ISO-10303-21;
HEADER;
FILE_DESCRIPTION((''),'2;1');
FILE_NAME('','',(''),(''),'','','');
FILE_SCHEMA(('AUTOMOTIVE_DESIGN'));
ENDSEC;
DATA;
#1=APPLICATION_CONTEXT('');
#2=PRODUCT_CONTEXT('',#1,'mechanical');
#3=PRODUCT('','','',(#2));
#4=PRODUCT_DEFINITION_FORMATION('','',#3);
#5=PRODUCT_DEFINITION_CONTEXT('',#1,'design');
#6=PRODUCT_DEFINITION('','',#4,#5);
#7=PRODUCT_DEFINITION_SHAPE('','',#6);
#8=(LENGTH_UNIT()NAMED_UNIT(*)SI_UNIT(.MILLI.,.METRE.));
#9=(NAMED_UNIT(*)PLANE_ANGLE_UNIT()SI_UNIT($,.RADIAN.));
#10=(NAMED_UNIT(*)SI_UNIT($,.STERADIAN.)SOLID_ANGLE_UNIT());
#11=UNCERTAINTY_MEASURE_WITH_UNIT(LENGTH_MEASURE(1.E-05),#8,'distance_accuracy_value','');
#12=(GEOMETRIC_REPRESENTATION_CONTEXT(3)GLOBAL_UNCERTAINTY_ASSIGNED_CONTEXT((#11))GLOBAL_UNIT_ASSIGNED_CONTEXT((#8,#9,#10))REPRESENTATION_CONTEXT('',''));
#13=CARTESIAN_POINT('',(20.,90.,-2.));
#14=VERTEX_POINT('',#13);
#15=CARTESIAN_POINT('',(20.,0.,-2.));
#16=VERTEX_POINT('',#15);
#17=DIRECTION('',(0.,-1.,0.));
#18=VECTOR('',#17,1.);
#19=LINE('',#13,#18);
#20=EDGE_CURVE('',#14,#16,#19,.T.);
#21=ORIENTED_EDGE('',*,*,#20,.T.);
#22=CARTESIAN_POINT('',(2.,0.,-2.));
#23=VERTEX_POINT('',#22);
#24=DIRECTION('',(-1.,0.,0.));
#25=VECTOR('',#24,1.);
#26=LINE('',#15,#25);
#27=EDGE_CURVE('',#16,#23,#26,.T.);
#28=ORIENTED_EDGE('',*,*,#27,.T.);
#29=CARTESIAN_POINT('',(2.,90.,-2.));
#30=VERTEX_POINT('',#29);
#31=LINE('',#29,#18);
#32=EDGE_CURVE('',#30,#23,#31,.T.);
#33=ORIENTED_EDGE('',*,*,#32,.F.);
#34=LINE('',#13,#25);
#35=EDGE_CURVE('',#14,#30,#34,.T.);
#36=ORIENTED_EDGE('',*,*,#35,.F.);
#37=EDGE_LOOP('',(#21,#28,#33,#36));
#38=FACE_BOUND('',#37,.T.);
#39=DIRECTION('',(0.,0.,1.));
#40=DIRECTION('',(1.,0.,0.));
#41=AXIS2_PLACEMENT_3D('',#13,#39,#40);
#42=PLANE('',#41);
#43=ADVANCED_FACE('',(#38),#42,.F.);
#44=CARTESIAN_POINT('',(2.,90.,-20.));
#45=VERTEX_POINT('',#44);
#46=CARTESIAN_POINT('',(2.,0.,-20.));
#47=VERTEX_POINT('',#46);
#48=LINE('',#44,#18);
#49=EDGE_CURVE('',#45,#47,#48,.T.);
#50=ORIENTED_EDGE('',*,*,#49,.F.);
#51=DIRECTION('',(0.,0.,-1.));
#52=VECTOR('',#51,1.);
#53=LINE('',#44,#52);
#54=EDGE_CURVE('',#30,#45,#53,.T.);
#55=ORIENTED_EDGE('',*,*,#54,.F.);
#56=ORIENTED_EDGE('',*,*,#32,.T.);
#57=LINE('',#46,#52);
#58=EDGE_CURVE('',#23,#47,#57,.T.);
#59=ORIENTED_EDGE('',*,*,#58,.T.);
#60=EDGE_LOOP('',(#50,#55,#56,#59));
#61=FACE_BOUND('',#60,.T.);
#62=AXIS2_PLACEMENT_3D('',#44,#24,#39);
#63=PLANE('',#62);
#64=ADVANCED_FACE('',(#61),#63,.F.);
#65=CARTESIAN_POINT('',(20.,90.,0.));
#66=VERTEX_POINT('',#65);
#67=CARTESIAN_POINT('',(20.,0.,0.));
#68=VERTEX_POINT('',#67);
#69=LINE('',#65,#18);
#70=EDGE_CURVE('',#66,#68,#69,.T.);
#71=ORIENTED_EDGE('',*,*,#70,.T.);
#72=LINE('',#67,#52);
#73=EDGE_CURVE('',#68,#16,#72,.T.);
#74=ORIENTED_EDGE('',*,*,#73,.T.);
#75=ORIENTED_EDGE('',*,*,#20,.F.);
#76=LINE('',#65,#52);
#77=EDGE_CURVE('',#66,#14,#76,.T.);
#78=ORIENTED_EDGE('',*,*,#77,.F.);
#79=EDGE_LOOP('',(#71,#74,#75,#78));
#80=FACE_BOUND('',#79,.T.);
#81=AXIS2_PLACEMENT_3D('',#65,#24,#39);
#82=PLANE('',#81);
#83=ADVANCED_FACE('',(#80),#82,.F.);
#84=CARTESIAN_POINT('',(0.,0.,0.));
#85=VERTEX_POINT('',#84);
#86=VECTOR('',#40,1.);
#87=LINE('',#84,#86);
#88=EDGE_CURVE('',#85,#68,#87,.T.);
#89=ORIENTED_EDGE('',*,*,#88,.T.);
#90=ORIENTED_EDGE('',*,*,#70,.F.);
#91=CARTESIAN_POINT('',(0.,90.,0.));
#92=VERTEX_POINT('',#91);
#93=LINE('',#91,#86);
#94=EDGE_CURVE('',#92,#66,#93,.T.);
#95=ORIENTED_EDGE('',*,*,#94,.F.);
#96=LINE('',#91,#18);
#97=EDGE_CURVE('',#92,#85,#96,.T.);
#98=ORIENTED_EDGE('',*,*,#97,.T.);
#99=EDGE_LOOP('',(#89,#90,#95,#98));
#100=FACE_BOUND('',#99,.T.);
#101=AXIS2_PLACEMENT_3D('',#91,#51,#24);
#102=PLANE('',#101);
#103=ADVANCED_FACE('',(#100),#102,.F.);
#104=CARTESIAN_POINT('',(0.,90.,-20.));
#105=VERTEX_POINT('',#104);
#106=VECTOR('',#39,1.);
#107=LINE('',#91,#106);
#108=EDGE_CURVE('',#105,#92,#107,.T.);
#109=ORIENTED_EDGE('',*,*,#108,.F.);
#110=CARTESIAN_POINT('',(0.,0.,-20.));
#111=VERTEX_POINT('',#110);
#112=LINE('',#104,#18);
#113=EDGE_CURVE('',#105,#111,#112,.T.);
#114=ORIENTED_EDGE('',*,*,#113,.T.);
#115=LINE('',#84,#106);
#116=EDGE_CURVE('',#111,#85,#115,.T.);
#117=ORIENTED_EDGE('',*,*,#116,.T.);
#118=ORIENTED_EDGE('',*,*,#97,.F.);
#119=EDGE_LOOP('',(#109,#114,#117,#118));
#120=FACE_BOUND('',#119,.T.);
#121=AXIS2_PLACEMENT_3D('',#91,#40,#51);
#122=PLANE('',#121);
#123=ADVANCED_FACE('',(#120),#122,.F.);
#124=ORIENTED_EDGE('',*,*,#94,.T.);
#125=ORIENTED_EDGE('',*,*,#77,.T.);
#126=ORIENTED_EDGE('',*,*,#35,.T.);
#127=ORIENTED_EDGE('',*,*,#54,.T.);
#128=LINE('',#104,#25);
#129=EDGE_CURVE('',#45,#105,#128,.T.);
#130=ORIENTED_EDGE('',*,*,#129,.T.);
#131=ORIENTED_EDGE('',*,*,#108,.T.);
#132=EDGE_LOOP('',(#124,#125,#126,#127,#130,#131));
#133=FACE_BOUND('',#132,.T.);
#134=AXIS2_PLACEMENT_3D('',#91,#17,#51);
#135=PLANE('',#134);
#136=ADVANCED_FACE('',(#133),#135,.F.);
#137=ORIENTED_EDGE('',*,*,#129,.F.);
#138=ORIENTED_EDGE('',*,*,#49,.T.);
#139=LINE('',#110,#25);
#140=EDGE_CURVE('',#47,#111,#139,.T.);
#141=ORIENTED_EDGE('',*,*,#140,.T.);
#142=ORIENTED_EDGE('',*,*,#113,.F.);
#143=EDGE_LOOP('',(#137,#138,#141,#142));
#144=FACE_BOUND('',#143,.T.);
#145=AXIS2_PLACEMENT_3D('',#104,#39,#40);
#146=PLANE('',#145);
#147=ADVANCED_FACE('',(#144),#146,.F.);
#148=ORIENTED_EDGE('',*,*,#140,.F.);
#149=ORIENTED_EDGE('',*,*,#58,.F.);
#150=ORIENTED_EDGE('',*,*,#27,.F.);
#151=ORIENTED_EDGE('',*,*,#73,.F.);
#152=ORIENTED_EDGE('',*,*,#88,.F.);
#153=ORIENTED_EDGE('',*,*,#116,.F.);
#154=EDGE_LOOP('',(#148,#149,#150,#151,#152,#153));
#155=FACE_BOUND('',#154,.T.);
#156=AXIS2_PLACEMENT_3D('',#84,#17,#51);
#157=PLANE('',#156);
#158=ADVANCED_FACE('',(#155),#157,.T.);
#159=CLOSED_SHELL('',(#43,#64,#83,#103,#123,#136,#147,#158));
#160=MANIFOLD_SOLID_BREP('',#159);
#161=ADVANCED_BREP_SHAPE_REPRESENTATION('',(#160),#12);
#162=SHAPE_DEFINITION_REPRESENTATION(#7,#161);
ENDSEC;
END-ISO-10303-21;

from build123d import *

# Parameters (mm, degrees)
BOSS_EXTRUDE1_DEPTH = 90


with BuildPart() as part:
    # Sketch1 → Boss-Extrude1 (new body)
    with BuildSketch(Plane(origin=(0, 0, 0), x_dir=(1, 0, 0), z_dir=(0, 1, 0))):
        Polygon((0, 0), (20, 0), (20, 2), (2, 2), (2, 20), (0, 20), align=None)
    extrude(amount=BOSS_EXTRUDE1_DEPTH)


solid = part.part
